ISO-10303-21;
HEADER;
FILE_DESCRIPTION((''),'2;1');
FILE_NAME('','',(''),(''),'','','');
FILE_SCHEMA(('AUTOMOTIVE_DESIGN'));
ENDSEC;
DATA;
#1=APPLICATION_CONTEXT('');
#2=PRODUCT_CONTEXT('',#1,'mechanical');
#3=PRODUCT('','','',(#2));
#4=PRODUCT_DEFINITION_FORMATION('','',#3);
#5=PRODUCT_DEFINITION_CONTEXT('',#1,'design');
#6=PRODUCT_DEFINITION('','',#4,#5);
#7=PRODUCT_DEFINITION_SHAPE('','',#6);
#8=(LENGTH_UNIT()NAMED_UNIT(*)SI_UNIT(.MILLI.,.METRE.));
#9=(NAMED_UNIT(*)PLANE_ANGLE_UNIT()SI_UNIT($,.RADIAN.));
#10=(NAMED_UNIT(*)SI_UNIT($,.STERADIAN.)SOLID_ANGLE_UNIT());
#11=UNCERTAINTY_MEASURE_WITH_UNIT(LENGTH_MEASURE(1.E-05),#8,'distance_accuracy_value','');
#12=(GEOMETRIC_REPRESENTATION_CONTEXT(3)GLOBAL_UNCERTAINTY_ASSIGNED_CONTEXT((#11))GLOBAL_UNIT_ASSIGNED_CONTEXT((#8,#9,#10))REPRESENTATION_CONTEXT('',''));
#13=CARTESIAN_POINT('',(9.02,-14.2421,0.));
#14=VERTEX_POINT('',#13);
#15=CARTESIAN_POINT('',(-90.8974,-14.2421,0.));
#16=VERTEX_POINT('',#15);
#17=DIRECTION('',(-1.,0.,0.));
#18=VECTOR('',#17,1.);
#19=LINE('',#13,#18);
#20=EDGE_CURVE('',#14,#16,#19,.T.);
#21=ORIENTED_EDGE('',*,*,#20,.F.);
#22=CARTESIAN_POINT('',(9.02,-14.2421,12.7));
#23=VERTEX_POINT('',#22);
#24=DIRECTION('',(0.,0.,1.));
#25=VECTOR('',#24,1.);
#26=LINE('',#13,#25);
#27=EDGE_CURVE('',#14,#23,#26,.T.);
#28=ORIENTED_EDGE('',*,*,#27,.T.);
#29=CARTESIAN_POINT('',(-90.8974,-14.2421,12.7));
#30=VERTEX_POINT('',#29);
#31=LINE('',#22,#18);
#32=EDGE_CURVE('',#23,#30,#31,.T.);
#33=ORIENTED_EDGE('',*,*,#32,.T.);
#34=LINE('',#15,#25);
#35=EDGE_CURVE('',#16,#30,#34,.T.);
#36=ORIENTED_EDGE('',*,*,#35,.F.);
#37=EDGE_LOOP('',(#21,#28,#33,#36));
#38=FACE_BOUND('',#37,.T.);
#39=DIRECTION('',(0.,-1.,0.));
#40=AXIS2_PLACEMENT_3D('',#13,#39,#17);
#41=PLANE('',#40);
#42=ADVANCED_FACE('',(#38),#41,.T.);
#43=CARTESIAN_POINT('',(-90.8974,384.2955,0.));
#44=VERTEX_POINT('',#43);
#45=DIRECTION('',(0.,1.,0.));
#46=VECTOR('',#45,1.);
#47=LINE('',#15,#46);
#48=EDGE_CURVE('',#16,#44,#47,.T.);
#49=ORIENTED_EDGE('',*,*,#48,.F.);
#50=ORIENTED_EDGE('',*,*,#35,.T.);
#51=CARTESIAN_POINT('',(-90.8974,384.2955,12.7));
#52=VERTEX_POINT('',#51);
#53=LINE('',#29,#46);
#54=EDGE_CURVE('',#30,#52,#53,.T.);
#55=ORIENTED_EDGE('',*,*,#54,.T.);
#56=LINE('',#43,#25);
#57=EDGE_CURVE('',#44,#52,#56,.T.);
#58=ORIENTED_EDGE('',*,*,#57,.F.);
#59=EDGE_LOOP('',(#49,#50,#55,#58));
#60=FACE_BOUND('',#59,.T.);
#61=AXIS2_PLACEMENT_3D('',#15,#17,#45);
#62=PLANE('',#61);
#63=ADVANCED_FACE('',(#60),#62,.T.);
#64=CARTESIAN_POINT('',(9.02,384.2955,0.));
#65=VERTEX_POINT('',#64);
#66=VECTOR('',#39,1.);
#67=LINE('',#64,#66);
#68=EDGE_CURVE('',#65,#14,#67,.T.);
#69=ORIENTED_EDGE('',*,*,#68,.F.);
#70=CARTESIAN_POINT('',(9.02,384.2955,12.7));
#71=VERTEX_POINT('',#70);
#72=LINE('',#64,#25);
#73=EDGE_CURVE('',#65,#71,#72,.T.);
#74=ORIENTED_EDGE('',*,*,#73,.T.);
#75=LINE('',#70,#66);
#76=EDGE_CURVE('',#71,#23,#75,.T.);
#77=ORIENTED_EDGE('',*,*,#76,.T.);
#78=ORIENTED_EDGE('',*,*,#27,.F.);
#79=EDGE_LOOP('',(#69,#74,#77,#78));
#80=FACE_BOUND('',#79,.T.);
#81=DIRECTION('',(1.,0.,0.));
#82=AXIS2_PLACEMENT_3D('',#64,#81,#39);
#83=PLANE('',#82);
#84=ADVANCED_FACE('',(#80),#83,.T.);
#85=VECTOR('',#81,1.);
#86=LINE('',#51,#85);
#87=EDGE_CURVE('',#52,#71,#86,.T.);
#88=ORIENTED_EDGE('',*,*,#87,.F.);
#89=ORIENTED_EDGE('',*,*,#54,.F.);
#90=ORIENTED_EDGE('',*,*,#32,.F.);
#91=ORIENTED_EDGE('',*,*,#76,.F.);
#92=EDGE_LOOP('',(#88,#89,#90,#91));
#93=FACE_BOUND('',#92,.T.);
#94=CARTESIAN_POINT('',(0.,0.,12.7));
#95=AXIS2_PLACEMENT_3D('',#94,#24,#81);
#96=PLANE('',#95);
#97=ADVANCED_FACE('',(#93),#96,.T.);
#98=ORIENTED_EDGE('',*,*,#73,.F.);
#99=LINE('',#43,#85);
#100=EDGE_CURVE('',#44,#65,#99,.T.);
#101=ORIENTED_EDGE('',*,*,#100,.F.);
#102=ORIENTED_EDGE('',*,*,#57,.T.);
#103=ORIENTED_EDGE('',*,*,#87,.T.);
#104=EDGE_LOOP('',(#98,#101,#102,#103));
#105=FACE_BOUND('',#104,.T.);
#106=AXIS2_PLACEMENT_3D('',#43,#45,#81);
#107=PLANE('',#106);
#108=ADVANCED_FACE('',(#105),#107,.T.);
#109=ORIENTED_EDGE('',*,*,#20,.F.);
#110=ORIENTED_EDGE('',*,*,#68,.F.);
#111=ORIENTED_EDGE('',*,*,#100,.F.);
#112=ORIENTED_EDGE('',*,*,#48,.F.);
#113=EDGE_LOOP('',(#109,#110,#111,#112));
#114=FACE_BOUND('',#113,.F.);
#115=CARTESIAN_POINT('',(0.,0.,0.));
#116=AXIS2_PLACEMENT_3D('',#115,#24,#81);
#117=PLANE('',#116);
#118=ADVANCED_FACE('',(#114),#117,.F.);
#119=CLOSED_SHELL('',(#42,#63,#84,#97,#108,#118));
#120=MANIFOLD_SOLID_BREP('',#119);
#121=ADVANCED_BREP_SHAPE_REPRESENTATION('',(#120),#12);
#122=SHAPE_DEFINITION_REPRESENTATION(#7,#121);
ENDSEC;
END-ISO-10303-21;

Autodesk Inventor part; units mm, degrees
ref_plane "YZ Plane" through (0, 0, 0) normal (1, 0, 0) x (0, 1, 0)
ref_plane "XZ Plane" through (0, 0, 0) normal (0, 1, 0) x (-1, 0, 0)
ref_plane "XY Plane" through (0, 0, 0) normal (0, 0, 1) x (1, 0, 0)
sketch "Sketch1" plane through (0, 0, 0) normal (0, 0, 1) x (1, 0, 0)
  line L0 (9.02, -14.2421) -> (-90.8974, -14.2421)
  line L1 (-90.8974, -14.2421) -> (-90.8974, 384.2955)
  line L2 (-90.8974, 384.2955) -> (9.02, 384.2955)
  line L3 (9.02, 384.2955) -> (9.02, -14.2421)
  point P0 (0, 0)
extrude "Extrusion1" add sketch "Sketch1" along normal blind 12.7
sketch "Sketch2" plane through (0, 0, 0) normal (0, 0, -1) x (-1, 0, 0)
  point P0 (0, 0)
properties part number "Wooden_Board"
